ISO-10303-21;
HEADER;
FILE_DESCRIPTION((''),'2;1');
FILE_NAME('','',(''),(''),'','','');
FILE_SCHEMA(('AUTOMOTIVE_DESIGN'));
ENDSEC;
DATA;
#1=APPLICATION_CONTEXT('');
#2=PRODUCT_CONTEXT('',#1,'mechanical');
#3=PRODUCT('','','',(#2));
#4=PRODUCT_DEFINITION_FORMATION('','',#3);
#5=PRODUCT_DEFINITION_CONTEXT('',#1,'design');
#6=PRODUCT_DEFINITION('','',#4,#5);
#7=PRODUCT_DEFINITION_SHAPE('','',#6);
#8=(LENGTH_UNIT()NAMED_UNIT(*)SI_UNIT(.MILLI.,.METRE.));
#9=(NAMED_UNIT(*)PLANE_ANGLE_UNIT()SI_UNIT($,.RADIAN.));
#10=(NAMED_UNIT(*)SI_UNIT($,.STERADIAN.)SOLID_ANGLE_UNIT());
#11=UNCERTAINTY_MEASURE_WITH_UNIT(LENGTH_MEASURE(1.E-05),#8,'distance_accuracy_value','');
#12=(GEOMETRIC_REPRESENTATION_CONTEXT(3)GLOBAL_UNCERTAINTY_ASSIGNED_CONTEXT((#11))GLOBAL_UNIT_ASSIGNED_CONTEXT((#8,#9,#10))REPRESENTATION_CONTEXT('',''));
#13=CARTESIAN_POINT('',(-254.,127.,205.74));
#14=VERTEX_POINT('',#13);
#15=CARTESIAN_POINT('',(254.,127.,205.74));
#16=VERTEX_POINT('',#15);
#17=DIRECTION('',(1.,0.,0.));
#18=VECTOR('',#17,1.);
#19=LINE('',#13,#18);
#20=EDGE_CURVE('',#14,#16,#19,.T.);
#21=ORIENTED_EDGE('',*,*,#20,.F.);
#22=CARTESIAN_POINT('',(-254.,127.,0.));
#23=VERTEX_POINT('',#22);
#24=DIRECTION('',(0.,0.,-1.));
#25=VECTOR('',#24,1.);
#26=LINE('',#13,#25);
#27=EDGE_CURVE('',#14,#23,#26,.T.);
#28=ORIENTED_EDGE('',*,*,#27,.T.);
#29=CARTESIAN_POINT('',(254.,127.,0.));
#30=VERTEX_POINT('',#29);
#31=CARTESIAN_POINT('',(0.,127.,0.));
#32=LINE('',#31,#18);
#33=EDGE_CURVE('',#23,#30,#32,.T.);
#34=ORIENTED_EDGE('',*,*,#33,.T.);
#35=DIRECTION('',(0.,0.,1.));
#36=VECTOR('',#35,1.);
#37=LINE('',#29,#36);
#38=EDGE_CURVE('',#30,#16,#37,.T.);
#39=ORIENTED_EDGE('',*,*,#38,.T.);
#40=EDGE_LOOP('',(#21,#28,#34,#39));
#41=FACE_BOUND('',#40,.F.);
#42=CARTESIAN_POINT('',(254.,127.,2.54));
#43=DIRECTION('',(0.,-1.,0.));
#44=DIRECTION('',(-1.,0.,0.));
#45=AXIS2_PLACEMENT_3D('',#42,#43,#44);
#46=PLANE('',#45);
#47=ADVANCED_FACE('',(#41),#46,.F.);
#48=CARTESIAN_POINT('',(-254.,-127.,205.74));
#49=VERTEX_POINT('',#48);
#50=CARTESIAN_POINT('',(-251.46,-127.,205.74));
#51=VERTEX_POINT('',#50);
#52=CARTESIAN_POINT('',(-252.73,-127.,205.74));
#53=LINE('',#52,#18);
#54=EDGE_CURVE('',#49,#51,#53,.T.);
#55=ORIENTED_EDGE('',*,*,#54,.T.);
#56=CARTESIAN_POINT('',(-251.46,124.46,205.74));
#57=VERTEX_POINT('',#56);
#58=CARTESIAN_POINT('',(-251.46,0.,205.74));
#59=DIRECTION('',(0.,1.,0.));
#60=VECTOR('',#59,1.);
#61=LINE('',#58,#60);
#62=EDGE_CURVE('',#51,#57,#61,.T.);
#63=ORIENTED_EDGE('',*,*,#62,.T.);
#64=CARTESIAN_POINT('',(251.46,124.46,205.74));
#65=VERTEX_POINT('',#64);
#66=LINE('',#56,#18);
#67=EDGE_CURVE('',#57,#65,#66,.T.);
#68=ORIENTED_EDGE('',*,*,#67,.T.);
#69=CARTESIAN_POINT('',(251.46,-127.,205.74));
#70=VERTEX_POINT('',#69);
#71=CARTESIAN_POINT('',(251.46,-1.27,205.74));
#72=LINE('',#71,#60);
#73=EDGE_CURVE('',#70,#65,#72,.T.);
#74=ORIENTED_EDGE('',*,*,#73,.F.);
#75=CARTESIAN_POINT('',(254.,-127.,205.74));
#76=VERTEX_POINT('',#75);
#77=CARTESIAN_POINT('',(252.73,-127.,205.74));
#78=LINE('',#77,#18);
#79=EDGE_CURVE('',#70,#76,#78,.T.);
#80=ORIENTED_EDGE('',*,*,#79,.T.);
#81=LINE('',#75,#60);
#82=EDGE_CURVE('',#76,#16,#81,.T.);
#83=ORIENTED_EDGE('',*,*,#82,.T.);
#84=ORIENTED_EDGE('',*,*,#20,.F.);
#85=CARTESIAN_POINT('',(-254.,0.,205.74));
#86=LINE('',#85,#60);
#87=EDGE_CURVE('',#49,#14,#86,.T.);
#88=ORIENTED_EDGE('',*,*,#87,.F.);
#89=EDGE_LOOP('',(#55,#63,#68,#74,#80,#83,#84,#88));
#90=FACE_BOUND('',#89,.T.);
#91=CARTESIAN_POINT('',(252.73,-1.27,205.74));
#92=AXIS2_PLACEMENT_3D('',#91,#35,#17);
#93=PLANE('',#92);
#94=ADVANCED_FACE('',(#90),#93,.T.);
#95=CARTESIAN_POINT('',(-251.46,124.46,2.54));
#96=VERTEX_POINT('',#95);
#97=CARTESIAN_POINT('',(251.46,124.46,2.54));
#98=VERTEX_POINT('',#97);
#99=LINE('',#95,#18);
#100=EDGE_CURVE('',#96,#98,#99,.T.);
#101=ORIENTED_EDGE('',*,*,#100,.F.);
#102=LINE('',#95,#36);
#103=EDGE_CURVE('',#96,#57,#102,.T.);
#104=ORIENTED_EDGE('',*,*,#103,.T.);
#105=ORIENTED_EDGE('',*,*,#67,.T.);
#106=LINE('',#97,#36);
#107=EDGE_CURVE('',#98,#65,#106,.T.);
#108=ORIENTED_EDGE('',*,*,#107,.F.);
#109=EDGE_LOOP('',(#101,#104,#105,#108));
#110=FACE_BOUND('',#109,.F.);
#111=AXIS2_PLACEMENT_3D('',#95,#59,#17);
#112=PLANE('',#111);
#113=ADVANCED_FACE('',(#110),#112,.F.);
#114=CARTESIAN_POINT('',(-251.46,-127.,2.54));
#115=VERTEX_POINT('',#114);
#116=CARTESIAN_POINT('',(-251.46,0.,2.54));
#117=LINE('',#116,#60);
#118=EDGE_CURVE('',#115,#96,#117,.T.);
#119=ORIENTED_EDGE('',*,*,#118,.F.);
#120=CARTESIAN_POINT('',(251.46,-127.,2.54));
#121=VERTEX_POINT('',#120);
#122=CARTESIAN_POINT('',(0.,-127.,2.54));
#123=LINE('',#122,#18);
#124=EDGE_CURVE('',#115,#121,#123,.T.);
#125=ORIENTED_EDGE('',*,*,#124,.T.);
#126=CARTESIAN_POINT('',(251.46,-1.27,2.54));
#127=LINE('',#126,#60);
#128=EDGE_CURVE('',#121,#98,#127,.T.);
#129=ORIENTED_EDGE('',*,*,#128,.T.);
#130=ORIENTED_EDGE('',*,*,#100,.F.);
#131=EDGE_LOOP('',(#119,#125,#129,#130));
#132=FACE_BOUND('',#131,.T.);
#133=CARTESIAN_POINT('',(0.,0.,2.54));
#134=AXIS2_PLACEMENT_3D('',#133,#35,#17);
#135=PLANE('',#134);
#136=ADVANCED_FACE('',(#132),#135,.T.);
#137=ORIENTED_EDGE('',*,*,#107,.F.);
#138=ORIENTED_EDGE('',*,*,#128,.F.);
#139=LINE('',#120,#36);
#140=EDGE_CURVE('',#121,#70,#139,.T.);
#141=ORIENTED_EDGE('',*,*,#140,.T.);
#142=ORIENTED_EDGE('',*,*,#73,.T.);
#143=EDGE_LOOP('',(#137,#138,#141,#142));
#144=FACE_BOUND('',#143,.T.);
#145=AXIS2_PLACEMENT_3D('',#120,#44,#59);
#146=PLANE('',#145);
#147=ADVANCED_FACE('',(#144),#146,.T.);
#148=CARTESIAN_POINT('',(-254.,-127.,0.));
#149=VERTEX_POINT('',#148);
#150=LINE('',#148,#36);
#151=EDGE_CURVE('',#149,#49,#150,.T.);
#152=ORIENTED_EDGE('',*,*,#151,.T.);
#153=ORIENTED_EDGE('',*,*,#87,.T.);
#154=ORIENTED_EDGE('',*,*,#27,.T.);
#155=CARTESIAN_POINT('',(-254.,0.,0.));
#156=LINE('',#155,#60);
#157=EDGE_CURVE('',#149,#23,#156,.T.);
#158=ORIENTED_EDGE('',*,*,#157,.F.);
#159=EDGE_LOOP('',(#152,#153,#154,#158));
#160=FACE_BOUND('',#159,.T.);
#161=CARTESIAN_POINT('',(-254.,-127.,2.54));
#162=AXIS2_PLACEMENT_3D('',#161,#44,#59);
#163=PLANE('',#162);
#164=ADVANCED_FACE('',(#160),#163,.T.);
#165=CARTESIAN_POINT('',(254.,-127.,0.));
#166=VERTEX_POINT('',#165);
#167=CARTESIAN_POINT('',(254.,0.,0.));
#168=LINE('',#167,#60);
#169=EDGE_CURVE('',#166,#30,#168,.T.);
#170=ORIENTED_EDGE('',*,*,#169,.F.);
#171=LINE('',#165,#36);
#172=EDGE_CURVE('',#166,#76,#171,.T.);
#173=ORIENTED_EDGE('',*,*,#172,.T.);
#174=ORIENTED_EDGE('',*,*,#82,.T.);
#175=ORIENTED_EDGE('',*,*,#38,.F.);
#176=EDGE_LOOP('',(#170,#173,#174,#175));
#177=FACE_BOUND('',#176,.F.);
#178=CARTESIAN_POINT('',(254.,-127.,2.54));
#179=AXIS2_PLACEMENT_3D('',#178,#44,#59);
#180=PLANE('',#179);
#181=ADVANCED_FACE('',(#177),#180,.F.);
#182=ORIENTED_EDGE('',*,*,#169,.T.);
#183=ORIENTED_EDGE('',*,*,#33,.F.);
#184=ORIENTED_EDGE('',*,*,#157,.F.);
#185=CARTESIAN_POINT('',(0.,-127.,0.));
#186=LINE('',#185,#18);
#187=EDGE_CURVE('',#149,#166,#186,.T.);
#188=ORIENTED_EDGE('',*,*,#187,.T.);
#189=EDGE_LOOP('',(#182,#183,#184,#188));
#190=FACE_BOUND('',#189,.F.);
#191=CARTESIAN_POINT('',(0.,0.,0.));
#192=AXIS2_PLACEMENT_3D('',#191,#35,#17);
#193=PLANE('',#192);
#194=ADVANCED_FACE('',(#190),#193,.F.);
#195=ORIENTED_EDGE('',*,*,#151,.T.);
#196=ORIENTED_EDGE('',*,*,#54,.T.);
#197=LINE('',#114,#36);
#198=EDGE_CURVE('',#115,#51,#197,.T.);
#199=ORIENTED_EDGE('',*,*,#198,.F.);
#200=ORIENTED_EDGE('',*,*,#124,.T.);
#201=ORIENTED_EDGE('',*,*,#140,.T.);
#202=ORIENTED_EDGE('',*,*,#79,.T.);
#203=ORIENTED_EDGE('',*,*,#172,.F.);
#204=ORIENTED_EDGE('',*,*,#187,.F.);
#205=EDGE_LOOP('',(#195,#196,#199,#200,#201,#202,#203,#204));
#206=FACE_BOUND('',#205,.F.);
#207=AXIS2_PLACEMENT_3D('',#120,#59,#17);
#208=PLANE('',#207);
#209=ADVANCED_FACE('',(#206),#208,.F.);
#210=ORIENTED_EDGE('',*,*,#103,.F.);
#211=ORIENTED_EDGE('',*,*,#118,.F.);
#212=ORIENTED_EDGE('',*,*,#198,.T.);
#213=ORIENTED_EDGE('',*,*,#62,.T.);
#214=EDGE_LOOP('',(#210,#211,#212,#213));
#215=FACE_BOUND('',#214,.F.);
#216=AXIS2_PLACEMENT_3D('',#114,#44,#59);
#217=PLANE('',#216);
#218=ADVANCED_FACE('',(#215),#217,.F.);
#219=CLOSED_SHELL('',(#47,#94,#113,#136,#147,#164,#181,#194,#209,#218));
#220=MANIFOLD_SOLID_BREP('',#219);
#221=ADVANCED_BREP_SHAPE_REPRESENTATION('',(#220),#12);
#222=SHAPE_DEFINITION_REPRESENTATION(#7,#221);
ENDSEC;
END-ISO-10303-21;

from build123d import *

# Parameters (mm, degrees)
F0_W     = 508
F0_H     = 254
F1_DEPTH = 2.54
F2_W     = 2.54
F2_H     = 254
F3_DEPTH = 203.2
F5_DEPTH = 203.2
F6_W     = 2.54
F6_H     = 251.46
F7_DEPTH = 203.2


with BuildPart() as f1:
    # F0 (on Top) → F1 (new body)
    with BuildSketch(Plane.XY):
        Rectangle(F0_W, F0_H)
    extrude(amount=F1_DEPTH)

    # F2 (on face) → F3 (join)
    with BuildSketch(Plane.XY.offset(2.54)):
        with Locations((-252.73, 0)):
            Rectangle(F2_W, F2_H)
    extrude(amount=F3_DEPTH)

    # F4 (on face) → F5 (join)
    with BuildSketch(Plane.XY.offset(2.54)):
        Polygon((254, 124.46), (254, 127), (-49.611485, 127), (-251.46, 127), (-251.46, 124.46), align=None)
    extrude(amount=F5_DEPTH)

    # F6 (on face) → F7 (join)
    with BuildSketch(Plane.XY.offset(2.54)):
        with Locations((252.73, -1.27)):
            Rectangle(F6_W, F6_H)
    extrude(amount=F7_DEPTH)


solid = f1.part
